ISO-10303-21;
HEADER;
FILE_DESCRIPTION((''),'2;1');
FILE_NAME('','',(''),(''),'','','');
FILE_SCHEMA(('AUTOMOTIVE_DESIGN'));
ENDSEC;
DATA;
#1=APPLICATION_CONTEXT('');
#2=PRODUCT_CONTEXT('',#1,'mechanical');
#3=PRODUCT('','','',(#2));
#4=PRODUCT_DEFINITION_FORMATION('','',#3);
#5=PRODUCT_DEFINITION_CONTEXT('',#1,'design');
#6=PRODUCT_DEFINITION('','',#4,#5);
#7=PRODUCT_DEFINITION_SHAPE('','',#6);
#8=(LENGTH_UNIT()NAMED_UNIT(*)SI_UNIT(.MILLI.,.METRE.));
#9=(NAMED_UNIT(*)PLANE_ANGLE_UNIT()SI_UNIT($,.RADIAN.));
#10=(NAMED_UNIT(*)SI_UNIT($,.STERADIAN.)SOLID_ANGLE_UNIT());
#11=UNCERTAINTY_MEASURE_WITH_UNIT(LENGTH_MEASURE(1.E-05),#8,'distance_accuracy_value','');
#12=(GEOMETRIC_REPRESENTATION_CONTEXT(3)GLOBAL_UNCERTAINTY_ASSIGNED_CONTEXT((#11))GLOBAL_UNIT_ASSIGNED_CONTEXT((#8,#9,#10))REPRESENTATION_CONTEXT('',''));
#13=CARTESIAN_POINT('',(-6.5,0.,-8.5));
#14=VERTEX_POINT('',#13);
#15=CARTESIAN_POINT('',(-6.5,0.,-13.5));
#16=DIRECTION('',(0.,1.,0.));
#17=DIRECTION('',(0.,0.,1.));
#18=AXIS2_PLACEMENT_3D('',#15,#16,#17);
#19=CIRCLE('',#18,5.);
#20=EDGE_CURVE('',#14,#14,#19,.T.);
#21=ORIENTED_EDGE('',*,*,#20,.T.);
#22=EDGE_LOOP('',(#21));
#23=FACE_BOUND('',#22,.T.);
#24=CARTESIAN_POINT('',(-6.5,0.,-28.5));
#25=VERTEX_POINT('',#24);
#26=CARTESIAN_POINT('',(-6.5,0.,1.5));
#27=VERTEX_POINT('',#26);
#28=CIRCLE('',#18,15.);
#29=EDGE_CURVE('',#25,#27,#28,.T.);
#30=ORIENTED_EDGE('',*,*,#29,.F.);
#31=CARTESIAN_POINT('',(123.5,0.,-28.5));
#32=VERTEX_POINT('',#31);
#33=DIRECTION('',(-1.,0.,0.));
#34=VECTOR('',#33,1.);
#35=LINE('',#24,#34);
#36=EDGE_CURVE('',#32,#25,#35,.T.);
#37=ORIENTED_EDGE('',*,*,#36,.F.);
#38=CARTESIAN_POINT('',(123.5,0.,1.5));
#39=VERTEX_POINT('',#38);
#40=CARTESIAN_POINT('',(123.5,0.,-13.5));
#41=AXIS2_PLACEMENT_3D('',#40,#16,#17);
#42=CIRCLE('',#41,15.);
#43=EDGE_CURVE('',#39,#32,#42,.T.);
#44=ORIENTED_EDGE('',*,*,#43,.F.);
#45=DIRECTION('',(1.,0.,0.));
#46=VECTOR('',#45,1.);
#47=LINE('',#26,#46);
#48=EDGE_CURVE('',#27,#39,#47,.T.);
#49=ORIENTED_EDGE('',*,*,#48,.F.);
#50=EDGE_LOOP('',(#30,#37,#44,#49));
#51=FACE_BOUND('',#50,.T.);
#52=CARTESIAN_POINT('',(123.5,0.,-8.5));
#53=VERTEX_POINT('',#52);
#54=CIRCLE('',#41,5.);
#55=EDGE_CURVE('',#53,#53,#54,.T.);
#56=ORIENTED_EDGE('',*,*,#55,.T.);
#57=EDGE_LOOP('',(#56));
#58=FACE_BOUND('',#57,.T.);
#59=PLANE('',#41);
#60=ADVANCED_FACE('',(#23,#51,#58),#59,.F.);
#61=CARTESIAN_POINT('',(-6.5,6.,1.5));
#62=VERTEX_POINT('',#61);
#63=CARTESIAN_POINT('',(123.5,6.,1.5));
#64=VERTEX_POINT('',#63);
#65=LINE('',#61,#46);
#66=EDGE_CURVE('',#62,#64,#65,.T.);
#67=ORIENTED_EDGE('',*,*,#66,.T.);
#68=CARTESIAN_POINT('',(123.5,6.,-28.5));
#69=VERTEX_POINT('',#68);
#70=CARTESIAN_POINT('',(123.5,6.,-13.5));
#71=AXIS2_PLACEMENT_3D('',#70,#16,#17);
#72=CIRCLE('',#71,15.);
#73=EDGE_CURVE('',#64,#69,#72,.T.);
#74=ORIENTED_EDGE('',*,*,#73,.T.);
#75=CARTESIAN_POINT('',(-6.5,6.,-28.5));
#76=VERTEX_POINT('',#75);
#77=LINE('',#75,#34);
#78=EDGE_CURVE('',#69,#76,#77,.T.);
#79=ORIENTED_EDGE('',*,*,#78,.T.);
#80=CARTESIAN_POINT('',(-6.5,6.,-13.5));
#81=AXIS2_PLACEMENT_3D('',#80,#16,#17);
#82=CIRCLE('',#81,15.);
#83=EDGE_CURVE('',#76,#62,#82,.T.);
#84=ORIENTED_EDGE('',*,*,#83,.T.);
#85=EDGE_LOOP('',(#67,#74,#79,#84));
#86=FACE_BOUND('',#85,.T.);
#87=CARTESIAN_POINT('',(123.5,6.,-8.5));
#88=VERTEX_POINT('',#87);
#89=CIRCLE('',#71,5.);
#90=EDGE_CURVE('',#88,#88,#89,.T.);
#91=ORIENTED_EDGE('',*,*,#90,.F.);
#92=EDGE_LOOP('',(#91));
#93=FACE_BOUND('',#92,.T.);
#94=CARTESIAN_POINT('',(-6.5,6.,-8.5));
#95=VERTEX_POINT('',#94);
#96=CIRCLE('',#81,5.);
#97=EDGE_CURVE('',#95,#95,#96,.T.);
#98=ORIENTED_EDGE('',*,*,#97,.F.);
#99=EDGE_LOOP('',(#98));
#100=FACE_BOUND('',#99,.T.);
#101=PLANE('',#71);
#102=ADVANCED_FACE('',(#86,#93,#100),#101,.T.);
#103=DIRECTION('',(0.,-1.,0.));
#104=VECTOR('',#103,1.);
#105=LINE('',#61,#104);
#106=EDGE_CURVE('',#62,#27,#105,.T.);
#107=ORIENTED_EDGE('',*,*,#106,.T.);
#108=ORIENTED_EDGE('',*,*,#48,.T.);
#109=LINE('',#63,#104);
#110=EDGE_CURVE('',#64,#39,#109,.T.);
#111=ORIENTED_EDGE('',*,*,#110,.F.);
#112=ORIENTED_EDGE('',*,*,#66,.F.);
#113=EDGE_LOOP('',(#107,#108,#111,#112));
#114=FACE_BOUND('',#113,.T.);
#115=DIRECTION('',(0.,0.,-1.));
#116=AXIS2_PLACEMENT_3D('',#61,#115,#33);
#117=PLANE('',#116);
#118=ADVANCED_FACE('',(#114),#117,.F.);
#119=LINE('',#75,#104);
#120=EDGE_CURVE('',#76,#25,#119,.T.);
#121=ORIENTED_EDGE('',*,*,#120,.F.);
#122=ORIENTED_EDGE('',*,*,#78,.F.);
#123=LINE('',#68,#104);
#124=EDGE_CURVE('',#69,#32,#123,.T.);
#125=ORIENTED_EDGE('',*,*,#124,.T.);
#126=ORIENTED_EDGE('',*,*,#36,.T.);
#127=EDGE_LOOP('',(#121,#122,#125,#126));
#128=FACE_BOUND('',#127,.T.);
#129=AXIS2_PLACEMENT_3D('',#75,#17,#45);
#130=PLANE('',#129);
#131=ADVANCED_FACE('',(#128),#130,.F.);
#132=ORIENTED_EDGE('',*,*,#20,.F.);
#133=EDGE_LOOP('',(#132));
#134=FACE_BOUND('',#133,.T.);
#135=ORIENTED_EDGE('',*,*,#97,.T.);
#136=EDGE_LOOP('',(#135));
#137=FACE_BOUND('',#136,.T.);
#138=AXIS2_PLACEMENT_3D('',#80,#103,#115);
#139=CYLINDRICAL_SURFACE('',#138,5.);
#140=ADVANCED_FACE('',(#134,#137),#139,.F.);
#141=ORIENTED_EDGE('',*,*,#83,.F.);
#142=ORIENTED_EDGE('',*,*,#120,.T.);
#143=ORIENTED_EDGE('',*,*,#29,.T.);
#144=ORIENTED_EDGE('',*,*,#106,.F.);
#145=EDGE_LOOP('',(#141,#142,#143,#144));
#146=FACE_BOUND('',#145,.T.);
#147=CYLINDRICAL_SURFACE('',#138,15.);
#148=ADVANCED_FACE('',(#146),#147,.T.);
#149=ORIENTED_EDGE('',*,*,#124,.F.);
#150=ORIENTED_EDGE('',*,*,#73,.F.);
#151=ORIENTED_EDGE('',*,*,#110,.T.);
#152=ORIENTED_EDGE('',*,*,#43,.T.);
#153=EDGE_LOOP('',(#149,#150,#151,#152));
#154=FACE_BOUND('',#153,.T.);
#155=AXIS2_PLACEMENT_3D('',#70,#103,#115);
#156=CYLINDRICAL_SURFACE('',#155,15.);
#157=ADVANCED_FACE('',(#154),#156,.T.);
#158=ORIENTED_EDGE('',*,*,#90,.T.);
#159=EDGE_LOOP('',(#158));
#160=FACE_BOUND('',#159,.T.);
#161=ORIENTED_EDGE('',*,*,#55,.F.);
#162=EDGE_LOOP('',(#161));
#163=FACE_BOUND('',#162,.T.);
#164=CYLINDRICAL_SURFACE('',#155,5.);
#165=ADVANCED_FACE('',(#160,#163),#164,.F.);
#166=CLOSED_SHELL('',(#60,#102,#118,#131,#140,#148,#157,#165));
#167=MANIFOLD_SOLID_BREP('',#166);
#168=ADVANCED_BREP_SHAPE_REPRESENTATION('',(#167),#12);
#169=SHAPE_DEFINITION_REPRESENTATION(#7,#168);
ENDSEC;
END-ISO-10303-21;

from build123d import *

# Parameters (mm, degrees)
SKETCH2_R           = 5
BOSS_EXTRUDE1_DEPTH = 6


with BuildPart() as part:
    # Sketch2 → Boss-Extrude1 (new body)
    with BuildSketch(Plane(origin=(0, 0, 0), x_dir=(1, 0, 0), z_dir=(0, 1, 0))):
        with BuildLine():
            Line((-6.5, 28.5), (123.5, 28.5))
            ThreePointArc((123.5, 28.5), (138.5, 13.5), (123.5, -1.5))
            Line((123.5, -1.5), (-6.5, -1.5))
            ThreePointArc((-6.5, -1.5), (-21.5, 13.5), (-6.5, 28.5))
        make_face()
        with Locations(Location((-6.5, 13.5, 0), (0, 0, 270))):
            Circle(SKETCH2_R, mode=Mode.SUBTRACT)
        with Locations(Location((123.5, 13.5, 0), (0, 0, 270))):
            Circle(SKETCH2_R, mode=Mode.SUBTRACT)
    extrude(amount=BOSS_EXTRUDE1_DEPTH)


solid = part.part
